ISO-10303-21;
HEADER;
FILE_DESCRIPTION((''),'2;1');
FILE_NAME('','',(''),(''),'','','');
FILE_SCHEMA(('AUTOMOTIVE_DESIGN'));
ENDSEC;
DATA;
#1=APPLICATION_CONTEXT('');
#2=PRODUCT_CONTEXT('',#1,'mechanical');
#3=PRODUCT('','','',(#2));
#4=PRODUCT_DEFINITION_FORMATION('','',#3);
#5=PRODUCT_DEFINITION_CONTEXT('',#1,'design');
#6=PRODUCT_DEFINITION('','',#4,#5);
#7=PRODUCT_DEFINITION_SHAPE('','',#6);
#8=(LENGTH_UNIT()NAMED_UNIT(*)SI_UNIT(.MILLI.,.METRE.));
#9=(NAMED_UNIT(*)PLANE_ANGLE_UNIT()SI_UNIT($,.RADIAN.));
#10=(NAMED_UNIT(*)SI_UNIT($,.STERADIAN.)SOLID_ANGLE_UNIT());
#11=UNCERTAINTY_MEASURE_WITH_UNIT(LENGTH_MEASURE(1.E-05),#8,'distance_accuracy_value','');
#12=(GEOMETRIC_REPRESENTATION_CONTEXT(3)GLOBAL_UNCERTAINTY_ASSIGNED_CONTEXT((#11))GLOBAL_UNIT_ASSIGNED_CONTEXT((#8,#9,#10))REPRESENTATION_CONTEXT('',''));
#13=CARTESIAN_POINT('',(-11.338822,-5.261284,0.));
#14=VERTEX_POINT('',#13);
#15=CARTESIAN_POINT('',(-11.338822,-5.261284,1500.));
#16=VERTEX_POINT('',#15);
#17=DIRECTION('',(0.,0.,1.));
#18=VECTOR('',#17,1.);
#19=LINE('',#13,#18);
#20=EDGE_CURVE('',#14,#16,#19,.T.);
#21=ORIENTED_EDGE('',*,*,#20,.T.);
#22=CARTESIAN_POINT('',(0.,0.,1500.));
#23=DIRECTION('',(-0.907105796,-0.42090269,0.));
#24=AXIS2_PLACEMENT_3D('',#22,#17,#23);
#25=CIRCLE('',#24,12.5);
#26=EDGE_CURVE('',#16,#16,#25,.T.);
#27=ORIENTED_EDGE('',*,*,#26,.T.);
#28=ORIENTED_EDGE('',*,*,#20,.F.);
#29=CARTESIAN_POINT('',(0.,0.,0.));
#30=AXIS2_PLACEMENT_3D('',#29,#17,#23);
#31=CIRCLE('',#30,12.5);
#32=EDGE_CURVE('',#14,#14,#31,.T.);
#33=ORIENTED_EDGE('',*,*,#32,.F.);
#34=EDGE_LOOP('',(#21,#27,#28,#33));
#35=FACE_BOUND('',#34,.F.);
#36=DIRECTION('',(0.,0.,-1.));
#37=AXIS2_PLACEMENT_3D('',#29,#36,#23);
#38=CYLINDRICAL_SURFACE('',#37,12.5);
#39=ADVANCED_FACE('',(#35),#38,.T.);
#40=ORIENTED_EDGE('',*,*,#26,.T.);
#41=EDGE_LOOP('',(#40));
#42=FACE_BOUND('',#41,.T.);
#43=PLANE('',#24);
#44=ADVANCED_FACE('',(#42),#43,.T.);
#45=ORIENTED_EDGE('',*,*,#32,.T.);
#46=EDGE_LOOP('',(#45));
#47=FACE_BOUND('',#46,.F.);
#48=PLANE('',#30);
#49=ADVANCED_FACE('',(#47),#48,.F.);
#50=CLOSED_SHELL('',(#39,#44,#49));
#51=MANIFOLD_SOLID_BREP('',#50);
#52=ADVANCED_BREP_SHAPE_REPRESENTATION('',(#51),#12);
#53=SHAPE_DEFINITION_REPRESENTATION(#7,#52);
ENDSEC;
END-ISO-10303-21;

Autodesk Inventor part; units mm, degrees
ref_plane "YZ Plane" through (0, 0, 0) normal (1, 0, 0) x (0, 1, 0)
ref_plane "XZ Plane" through (0, 0, 0) normal (0, 1, 0) x (-1, 0, 0)
ref_plane "XY Plane" through (0, 0, 0) normal (0, 0, 1) x (1, 0, 0)
ref_plane "Work Plane5" through (0, 0, 0) normal (0, 0, 1) x (-0.9071, -0.4209, 0)
sketch "Sketch1" plane through (0, 0, 0) normal (0, 0, 1) x (-0.9071, -0.4209, 0)
  circle A0 centre (0, 0) radius 12.5 projected
  point P0 (0, 0)
extrude "Extrusion1" add sketch "Sketch1" along normal blind 1500
properties part number "tlok" material "Steel"
